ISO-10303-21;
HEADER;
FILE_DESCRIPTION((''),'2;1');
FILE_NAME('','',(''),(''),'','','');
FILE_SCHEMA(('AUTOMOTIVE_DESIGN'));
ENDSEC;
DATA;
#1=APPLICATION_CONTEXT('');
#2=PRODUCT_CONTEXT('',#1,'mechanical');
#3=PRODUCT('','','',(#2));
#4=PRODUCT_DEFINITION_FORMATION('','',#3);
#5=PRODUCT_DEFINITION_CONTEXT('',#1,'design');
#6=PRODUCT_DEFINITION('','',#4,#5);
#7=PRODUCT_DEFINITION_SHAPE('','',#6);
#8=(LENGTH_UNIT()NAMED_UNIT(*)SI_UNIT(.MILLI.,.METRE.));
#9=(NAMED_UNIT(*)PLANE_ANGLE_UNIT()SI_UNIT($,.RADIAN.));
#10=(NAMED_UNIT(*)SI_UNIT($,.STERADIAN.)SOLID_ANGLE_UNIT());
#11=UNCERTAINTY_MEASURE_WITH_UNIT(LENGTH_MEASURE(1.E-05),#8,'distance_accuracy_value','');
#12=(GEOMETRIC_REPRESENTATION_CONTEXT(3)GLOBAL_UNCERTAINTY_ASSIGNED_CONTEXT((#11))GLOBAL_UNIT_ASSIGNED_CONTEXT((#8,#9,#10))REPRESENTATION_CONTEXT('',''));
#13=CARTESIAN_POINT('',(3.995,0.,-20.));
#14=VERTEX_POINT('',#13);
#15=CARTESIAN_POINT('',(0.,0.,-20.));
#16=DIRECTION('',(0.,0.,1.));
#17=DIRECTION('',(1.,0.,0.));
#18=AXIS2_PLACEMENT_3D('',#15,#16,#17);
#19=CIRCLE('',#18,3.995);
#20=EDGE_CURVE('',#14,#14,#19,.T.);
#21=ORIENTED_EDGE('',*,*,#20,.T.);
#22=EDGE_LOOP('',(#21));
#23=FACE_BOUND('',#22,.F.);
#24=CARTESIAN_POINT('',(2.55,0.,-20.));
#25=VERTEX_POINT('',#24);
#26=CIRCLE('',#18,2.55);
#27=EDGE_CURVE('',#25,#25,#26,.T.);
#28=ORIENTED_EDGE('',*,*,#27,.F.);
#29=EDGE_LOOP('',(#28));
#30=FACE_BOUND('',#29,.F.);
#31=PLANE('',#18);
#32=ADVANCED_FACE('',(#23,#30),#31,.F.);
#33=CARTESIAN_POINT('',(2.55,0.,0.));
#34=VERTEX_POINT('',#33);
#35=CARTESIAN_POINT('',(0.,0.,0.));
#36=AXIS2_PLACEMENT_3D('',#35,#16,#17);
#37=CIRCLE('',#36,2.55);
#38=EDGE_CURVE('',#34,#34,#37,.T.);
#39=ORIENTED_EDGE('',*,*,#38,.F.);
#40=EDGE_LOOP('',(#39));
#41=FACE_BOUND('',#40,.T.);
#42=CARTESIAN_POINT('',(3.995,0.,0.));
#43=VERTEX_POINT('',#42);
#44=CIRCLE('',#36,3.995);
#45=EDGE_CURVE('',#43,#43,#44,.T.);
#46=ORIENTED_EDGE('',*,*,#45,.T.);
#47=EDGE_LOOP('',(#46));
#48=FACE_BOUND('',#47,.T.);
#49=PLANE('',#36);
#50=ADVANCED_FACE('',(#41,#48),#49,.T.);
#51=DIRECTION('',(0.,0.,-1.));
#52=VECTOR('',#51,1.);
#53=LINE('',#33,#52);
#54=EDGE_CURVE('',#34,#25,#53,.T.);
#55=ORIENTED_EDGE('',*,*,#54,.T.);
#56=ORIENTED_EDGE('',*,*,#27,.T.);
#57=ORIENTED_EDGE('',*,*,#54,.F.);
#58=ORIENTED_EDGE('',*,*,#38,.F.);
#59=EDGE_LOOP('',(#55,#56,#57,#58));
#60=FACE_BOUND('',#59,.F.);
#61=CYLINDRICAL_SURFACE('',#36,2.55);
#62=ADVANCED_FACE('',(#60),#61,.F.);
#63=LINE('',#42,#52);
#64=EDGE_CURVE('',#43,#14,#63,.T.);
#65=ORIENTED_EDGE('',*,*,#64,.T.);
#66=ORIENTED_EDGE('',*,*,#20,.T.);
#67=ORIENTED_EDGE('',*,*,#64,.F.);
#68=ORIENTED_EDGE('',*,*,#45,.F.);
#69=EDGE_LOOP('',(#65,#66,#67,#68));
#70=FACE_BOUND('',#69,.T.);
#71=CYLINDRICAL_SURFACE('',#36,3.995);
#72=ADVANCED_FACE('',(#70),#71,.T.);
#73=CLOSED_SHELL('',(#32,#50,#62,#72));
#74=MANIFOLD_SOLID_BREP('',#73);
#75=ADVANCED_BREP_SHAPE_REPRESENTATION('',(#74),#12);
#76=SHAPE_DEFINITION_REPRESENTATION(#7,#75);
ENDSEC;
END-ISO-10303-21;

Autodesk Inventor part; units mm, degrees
ref_plane "YZ Plane" through (0, 0, 0) normal (1, 0, 0) x (0, 1, 0)
ref_plane "XZ Plane" through (0, 0, 0) normal (0, 1, 0) x (-1, 0, 0)
ref_plane "XY Plane" through (0, 0, 0) normal (0, 0, 1) x (1, 0, 0)
sketch "Sketch1" plane through (0, 0, 0) normal (0, 0, 1) x (1, 0, 0)
  circle A0 centre (0, 0) radius 3.995
  circle A1 centre (0, 0) radius 2.55
  dimension "d0" = 5.1
  dimension "d1" = 7.99
extrude "Extrusion1" add sketch "Sketch1" against normal blind 20
properties part number "5mmAdapter"
